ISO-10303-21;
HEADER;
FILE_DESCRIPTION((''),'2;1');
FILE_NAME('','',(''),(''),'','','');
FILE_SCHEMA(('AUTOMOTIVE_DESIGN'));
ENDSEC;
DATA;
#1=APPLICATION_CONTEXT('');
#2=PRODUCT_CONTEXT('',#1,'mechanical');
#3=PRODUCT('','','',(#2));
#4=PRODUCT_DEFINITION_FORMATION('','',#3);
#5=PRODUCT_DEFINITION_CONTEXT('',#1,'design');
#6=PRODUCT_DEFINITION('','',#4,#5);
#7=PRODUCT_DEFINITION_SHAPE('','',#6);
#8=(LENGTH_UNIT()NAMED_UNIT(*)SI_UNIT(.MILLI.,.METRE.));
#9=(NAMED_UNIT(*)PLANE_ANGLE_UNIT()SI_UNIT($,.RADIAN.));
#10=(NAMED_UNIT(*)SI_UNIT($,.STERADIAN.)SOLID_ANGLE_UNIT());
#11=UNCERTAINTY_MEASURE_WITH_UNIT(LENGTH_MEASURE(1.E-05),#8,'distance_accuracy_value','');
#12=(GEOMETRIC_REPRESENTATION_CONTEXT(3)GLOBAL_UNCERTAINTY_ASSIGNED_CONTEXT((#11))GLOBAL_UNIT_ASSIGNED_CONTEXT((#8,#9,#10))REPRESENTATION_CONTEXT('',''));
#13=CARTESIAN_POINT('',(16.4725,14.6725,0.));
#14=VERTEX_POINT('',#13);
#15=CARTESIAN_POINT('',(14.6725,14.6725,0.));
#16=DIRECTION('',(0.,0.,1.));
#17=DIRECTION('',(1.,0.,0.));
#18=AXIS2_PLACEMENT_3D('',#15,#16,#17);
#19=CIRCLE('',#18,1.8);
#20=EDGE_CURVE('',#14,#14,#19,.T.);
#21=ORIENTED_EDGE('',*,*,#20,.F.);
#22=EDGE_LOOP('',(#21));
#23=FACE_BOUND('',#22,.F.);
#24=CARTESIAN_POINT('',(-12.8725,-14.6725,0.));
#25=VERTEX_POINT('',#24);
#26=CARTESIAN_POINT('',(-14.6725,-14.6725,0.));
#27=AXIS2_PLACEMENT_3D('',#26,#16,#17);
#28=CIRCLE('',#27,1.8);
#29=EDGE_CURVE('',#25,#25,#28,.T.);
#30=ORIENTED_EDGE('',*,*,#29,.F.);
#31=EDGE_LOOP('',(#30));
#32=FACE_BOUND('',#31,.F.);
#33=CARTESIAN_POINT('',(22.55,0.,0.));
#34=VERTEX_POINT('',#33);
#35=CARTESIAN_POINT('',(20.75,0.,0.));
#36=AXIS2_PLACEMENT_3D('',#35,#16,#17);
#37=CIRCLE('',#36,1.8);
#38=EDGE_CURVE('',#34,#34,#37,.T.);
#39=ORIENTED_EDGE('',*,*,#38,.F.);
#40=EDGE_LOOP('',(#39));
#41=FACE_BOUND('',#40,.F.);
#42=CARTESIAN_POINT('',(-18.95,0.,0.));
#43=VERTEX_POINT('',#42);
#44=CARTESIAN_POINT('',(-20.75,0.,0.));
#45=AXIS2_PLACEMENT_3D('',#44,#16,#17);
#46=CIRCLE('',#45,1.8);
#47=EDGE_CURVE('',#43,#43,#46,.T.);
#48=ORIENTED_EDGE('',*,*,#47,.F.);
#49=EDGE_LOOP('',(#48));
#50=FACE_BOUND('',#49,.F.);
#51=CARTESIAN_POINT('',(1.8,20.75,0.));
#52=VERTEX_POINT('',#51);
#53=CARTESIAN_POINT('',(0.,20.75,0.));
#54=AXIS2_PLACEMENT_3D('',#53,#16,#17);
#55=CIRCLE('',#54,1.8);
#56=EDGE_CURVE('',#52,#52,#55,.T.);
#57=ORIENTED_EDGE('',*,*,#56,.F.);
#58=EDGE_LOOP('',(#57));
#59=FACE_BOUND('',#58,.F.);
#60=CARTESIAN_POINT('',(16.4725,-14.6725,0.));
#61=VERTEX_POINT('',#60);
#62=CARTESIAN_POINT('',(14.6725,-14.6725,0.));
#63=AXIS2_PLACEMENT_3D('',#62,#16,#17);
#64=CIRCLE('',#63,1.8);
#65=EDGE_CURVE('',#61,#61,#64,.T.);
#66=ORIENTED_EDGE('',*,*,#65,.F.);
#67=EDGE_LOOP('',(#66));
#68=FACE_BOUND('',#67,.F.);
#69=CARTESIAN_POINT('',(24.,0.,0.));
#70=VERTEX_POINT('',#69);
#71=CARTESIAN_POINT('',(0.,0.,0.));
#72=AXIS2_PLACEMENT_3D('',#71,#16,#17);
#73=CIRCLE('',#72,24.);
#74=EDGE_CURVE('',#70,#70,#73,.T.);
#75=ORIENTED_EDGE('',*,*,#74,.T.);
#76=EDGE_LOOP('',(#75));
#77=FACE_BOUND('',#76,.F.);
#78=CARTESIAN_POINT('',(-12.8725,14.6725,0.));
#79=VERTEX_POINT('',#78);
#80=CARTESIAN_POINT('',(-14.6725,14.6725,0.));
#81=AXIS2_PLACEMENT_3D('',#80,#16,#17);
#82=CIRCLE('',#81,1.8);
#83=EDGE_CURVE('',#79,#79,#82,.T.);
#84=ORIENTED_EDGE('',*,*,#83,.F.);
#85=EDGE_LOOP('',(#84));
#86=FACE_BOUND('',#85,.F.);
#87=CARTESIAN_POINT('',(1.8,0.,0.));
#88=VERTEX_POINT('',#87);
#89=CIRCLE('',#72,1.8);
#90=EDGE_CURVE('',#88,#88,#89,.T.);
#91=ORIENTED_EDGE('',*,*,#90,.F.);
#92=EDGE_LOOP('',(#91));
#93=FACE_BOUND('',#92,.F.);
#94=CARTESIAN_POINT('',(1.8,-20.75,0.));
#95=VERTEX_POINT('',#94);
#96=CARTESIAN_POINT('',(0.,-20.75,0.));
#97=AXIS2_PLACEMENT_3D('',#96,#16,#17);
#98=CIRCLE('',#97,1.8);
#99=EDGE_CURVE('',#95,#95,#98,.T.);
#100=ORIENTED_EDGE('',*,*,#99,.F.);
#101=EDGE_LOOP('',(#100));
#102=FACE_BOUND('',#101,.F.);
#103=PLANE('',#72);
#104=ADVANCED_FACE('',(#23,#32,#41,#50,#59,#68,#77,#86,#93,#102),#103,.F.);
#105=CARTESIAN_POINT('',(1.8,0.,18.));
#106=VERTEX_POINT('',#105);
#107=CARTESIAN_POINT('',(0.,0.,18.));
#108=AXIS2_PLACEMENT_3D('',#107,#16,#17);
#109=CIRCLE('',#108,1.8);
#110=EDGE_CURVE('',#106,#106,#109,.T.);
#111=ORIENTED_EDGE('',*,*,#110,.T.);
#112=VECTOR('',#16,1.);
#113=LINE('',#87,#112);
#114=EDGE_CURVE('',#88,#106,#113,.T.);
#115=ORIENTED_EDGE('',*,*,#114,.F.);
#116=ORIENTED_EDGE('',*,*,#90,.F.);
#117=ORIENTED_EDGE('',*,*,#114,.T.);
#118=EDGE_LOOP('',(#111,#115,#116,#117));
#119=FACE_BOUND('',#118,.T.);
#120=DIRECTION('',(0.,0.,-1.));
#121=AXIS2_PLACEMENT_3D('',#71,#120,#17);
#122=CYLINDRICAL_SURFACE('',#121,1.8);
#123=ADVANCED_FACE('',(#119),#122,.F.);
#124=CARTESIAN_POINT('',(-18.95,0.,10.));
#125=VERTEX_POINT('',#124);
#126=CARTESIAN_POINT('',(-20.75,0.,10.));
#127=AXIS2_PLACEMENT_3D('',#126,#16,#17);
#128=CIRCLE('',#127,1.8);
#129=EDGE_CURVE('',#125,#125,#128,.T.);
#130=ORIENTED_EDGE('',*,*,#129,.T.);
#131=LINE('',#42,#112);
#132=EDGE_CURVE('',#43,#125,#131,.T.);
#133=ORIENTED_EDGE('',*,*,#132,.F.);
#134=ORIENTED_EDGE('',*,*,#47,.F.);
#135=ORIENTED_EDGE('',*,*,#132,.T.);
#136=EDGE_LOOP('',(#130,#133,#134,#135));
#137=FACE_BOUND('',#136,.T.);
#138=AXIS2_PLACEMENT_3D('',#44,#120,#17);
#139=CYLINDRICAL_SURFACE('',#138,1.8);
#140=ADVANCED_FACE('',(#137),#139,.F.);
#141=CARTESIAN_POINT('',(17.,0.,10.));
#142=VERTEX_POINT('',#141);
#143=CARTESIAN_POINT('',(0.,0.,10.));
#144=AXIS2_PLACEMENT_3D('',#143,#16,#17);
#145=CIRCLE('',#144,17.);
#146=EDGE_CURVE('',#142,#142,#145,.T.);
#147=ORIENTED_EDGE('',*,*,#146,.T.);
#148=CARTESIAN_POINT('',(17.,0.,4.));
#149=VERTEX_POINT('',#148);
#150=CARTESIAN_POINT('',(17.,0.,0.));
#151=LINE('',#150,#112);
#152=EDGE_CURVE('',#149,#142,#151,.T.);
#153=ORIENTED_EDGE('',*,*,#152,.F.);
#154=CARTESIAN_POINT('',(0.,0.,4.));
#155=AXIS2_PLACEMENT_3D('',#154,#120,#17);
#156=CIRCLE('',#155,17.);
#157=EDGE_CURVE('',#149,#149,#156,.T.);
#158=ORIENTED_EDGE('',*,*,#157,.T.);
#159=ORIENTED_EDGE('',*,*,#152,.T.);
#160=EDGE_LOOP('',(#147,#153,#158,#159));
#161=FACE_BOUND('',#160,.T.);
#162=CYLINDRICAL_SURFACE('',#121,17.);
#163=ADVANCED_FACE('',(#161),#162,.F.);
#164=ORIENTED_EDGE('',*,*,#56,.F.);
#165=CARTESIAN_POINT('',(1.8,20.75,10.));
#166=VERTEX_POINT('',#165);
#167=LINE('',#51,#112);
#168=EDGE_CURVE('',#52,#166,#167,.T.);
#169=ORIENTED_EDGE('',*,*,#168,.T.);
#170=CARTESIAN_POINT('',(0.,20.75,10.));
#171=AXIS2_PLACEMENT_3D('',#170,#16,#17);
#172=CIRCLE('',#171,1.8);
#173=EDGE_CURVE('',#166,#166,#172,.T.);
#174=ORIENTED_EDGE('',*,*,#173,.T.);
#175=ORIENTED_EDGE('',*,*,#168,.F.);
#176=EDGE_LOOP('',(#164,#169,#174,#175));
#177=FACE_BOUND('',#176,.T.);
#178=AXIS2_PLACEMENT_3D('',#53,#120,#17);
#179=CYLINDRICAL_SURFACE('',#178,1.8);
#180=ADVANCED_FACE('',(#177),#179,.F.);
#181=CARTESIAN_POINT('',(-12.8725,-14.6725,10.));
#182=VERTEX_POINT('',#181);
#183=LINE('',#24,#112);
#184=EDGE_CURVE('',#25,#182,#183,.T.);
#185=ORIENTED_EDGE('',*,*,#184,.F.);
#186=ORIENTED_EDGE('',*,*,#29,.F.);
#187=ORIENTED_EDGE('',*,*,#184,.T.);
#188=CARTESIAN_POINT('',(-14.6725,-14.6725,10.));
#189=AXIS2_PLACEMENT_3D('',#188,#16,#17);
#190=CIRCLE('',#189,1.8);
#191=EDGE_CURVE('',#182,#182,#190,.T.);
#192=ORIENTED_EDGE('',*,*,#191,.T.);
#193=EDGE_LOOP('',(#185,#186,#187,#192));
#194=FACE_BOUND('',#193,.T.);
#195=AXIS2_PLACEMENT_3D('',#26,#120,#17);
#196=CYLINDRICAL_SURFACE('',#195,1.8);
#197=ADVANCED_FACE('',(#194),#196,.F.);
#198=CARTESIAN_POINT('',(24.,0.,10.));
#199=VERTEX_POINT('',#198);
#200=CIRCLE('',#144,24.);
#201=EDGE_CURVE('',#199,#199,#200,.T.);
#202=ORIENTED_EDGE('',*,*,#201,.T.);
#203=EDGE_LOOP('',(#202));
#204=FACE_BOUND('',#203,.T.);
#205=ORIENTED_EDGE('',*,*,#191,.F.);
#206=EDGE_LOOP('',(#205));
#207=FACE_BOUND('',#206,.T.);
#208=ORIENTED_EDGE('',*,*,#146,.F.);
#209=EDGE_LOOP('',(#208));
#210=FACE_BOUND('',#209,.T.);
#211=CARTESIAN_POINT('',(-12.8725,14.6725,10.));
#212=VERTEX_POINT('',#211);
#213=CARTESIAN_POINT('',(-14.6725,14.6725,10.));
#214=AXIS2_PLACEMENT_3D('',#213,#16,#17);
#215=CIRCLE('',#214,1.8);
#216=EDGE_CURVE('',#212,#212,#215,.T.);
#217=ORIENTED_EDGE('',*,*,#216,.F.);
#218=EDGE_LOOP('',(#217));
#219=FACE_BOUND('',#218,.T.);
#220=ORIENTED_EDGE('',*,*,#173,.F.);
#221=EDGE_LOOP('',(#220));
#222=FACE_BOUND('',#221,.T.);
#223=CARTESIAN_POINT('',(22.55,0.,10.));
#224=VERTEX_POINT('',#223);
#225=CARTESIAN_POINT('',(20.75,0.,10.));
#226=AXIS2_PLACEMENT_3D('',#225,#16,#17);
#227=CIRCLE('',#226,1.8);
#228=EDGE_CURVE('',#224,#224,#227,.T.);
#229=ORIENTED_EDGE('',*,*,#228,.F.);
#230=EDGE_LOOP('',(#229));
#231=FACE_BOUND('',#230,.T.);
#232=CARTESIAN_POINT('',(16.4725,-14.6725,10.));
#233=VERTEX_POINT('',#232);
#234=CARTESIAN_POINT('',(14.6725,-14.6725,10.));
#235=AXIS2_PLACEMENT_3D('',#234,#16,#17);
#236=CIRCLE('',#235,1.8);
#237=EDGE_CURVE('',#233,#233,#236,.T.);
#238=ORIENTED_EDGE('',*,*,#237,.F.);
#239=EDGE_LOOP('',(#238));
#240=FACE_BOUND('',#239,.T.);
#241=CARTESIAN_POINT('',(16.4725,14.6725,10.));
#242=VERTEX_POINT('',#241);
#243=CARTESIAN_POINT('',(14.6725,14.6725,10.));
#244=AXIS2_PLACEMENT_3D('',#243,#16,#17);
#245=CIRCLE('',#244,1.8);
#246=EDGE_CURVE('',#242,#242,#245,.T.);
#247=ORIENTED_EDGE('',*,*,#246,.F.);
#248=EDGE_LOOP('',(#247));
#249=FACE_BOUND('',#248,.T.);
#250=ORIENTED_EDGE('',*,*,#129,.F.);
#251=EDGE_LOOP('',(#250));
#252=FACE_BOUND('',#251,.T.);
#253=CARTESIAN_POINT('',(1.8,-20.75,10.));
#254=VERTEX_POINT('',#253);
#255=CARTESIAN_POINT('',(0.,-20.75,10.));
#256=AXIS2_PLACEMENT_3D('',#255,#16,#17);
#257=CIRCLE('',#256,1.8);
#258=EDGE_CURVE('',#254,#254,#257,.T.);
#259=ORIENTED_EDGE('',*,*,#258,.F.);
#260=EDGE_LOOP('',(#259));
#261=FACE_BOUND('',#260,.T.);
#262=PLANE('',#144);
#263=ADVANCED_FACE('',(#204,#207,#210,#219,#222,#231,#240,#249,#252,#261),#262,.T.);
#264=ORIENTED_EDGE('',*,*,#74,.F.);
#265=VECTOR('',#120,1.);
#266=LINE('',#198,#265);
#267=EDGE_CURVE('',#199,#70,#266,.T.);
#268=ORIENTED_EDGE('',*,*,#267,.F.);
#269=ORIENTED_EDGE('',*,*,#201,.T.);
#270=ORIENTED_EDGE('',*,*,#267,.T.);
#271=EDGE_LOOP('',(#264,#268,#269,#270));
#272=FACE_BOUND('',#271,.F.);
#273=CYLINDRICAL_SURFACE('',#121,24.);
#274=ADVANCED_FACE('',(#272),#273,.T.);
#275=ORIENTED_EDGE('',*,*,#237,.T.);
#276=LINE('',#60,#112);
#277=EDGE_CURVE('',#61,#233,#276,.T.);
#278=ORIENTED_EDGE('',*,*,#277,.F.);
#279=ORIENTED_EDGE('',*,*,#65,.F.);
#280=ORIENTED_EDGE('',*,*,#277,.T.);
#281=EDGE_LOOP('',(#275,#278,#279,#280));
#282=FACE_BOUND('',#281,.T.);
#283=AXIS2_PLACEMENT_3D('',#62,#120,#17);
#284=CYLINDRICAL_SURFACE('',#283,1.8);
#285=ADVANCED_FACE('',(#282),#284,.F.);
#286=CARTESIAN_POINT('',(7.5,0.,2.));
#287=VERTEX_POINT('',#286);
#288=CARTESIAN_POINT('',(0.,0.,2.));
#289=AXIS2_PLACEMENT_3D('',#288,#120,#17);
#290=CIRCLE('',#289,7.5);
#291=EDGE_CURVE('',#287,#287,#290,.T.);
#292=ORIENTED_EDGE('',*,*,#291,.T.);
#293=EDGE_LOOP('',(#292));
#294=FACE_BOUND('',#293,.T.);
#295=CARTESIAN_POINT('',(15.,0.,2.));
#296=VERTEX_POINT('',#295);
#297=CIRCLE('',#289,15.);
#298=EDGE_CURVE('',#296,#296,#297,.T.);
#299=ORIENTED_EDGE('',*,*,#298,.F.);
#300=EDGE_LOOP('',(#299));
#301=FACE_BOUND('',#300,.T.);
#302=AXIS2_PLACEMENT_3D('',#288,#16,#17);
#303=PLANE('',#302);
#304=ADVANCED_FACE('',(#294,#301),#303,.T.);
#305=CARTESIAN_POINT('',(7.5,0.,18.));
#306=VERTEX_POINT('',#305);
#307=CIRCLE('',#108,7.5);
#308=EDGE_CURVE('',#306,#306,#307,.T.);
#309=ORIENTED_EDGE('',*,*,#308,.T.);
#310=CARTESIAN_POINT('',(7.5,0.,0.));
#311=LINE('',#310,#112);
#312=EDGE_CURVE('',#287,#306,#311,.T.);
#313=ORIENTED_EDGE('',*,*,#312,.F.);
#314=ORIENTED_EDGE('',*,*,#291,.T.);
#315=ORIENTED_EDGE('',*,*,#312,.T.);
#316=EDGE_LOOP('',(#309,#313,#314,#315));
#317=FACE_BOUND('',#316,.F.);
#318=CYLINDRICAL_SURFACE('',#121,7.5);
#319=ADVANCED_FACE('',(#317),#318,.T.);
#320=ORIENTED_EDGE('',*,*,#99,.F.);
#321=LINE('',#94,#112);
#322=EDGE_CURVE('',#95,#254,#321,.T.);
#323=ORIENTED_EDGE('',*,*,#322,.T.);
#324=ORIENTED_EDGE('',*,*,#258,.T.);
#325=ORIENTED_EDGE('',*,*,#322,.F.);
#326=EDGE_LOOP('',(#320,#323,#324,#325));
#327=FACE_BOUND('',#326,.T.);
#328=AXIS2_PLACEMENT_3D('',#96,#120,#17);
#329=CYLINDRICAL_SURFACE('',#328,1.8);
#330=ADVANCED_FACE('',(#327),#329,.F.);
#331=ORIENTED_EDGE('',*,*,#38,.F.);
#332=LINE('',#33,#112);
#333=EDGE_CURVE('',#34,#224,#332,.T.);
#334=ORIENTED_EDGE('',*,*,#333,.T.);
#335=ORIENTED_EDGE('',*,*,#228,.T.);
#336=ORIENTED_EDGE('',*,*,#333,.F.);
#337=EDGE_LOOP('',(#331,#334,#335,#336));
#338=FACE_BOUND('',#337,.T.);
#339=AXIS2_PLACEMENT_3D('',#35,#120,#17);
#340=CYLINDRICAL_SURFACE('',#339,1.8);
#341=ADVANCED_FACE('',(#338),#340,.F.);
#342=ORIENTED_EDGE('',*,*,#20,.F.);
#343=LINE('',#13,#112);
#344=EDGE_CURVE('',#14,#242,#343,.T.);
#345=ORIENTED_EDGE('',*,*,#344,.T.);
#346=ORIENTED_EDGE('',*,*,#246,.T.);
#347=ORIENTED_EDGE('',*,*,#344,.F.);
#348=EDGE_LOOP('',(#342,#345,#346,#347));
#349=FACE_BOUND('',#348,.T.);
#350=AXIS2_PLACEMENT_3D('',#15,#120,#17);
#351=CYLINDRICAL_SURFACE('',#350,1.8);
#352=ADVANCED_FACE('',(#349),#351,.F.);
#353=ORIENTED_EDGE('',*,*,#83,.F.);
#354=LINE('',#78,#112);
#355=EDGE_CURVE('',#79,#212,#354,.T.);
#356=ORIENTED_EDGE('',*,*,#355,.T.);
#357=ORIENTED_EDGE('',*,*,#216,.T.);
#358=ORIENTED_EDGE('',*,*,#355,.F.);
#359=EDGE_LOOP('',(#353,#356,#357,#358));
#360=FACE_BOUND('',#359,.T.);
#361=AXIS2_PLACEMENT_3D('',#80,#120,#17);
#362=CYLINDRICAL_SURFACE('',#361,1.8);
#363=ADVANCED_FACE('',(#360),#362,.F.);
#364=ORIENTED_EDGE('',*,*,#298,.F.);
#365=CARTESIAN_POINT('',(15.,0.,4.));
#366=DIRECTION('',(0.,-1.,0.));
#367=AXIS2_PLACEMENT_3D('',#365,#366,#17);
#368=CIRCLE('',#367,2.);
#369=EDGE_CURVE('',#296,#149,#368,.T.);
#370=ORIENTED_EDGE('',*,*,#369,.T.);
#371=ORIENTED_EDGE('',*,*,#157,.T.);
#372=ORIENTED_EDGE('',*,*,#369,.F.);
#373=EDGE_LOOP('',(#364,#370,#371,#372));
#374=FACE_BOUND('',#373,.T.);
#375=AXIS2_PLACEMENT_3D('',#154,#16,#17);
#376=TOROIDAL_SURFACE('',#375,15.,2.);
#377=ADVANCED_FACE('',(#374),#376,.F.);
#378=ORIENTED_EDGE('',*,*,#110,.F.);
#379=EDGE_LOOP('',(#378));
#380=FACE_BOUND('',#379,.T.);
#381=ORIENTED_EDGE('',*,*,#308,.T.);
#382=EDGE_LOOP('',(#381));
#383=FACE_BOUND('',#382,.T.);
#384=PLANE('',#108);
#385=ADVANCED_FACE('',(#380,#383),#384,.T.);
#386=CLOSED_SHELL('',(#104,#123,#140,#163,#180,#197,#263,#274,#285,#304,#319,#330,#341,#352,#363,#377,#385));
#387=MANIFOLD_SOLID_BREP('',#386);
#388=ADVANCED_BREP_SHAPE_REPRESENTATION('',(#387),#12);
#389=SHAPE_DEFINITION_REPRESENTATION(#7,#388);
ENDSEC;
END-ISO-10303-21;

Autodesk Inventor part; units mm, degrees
ref_plane "YZ Plane" through (0, 0, 0) normal (1, 0, 0) x (0, 1, 0)
ref_plane "XZ Plane" through (0, 0, 0) normal (0, 1, 0) x (-1, 0, 0)
ref_plane "XY Plane" through (0, 0, 0) normal (0, 0, 1) x (1, 0, 0)
sketch "Sketch1" plane through (0, 0, 0) normal (0, 0, 1) x (1, 0, 0)
  circle A0 centre (0, 0) radius 1.8
  circle A1 centre (0, 0) radius 17
  circle A2 centre (0, 0) radius 7.5
  circle A3 centre (0, 0) radius 24
  circle A4 centre (20.75, 0) radius 1.8
  circle A5 centre (14.6725, 14.6725) radius 1.8
  circle A6 centre (0, 20.75) radius 1.8
  circle A7 centre (-14.6725, 14.6725) radius 1.8
  circle A8 centre (-20.75, 0) radius 1.8
  circle A9 centre (-14.6725, -14.6725) radius 1.8
  circle A10 centre (0, -20.75) radius 1.8
  circle A11 centre (14.6725, -14.6725) radius 1.8
  dimension "d0" = 3.6
  dimension "d1" = 34
  dimension "d2" = 15
  dimension "d3" = 48
  dimension "d4" = 3.6
  dimension "d5" = 20.75
  dimension "d8" = 360
extrude "Extrusion1" add sketch "Sketch1" along normal blind 2 contours A1 | A2 | A3
extrude "Extrusion2" add sketch "Sketch1" along normal blind 10 contours A3
fillet "Fillet1" radius 2 1 edges at (-17, 0, 2)
extrude "Extrusion3" add sketch "Sketch1" along normal blind 18 contours A2
properties part number "MoldeB"
